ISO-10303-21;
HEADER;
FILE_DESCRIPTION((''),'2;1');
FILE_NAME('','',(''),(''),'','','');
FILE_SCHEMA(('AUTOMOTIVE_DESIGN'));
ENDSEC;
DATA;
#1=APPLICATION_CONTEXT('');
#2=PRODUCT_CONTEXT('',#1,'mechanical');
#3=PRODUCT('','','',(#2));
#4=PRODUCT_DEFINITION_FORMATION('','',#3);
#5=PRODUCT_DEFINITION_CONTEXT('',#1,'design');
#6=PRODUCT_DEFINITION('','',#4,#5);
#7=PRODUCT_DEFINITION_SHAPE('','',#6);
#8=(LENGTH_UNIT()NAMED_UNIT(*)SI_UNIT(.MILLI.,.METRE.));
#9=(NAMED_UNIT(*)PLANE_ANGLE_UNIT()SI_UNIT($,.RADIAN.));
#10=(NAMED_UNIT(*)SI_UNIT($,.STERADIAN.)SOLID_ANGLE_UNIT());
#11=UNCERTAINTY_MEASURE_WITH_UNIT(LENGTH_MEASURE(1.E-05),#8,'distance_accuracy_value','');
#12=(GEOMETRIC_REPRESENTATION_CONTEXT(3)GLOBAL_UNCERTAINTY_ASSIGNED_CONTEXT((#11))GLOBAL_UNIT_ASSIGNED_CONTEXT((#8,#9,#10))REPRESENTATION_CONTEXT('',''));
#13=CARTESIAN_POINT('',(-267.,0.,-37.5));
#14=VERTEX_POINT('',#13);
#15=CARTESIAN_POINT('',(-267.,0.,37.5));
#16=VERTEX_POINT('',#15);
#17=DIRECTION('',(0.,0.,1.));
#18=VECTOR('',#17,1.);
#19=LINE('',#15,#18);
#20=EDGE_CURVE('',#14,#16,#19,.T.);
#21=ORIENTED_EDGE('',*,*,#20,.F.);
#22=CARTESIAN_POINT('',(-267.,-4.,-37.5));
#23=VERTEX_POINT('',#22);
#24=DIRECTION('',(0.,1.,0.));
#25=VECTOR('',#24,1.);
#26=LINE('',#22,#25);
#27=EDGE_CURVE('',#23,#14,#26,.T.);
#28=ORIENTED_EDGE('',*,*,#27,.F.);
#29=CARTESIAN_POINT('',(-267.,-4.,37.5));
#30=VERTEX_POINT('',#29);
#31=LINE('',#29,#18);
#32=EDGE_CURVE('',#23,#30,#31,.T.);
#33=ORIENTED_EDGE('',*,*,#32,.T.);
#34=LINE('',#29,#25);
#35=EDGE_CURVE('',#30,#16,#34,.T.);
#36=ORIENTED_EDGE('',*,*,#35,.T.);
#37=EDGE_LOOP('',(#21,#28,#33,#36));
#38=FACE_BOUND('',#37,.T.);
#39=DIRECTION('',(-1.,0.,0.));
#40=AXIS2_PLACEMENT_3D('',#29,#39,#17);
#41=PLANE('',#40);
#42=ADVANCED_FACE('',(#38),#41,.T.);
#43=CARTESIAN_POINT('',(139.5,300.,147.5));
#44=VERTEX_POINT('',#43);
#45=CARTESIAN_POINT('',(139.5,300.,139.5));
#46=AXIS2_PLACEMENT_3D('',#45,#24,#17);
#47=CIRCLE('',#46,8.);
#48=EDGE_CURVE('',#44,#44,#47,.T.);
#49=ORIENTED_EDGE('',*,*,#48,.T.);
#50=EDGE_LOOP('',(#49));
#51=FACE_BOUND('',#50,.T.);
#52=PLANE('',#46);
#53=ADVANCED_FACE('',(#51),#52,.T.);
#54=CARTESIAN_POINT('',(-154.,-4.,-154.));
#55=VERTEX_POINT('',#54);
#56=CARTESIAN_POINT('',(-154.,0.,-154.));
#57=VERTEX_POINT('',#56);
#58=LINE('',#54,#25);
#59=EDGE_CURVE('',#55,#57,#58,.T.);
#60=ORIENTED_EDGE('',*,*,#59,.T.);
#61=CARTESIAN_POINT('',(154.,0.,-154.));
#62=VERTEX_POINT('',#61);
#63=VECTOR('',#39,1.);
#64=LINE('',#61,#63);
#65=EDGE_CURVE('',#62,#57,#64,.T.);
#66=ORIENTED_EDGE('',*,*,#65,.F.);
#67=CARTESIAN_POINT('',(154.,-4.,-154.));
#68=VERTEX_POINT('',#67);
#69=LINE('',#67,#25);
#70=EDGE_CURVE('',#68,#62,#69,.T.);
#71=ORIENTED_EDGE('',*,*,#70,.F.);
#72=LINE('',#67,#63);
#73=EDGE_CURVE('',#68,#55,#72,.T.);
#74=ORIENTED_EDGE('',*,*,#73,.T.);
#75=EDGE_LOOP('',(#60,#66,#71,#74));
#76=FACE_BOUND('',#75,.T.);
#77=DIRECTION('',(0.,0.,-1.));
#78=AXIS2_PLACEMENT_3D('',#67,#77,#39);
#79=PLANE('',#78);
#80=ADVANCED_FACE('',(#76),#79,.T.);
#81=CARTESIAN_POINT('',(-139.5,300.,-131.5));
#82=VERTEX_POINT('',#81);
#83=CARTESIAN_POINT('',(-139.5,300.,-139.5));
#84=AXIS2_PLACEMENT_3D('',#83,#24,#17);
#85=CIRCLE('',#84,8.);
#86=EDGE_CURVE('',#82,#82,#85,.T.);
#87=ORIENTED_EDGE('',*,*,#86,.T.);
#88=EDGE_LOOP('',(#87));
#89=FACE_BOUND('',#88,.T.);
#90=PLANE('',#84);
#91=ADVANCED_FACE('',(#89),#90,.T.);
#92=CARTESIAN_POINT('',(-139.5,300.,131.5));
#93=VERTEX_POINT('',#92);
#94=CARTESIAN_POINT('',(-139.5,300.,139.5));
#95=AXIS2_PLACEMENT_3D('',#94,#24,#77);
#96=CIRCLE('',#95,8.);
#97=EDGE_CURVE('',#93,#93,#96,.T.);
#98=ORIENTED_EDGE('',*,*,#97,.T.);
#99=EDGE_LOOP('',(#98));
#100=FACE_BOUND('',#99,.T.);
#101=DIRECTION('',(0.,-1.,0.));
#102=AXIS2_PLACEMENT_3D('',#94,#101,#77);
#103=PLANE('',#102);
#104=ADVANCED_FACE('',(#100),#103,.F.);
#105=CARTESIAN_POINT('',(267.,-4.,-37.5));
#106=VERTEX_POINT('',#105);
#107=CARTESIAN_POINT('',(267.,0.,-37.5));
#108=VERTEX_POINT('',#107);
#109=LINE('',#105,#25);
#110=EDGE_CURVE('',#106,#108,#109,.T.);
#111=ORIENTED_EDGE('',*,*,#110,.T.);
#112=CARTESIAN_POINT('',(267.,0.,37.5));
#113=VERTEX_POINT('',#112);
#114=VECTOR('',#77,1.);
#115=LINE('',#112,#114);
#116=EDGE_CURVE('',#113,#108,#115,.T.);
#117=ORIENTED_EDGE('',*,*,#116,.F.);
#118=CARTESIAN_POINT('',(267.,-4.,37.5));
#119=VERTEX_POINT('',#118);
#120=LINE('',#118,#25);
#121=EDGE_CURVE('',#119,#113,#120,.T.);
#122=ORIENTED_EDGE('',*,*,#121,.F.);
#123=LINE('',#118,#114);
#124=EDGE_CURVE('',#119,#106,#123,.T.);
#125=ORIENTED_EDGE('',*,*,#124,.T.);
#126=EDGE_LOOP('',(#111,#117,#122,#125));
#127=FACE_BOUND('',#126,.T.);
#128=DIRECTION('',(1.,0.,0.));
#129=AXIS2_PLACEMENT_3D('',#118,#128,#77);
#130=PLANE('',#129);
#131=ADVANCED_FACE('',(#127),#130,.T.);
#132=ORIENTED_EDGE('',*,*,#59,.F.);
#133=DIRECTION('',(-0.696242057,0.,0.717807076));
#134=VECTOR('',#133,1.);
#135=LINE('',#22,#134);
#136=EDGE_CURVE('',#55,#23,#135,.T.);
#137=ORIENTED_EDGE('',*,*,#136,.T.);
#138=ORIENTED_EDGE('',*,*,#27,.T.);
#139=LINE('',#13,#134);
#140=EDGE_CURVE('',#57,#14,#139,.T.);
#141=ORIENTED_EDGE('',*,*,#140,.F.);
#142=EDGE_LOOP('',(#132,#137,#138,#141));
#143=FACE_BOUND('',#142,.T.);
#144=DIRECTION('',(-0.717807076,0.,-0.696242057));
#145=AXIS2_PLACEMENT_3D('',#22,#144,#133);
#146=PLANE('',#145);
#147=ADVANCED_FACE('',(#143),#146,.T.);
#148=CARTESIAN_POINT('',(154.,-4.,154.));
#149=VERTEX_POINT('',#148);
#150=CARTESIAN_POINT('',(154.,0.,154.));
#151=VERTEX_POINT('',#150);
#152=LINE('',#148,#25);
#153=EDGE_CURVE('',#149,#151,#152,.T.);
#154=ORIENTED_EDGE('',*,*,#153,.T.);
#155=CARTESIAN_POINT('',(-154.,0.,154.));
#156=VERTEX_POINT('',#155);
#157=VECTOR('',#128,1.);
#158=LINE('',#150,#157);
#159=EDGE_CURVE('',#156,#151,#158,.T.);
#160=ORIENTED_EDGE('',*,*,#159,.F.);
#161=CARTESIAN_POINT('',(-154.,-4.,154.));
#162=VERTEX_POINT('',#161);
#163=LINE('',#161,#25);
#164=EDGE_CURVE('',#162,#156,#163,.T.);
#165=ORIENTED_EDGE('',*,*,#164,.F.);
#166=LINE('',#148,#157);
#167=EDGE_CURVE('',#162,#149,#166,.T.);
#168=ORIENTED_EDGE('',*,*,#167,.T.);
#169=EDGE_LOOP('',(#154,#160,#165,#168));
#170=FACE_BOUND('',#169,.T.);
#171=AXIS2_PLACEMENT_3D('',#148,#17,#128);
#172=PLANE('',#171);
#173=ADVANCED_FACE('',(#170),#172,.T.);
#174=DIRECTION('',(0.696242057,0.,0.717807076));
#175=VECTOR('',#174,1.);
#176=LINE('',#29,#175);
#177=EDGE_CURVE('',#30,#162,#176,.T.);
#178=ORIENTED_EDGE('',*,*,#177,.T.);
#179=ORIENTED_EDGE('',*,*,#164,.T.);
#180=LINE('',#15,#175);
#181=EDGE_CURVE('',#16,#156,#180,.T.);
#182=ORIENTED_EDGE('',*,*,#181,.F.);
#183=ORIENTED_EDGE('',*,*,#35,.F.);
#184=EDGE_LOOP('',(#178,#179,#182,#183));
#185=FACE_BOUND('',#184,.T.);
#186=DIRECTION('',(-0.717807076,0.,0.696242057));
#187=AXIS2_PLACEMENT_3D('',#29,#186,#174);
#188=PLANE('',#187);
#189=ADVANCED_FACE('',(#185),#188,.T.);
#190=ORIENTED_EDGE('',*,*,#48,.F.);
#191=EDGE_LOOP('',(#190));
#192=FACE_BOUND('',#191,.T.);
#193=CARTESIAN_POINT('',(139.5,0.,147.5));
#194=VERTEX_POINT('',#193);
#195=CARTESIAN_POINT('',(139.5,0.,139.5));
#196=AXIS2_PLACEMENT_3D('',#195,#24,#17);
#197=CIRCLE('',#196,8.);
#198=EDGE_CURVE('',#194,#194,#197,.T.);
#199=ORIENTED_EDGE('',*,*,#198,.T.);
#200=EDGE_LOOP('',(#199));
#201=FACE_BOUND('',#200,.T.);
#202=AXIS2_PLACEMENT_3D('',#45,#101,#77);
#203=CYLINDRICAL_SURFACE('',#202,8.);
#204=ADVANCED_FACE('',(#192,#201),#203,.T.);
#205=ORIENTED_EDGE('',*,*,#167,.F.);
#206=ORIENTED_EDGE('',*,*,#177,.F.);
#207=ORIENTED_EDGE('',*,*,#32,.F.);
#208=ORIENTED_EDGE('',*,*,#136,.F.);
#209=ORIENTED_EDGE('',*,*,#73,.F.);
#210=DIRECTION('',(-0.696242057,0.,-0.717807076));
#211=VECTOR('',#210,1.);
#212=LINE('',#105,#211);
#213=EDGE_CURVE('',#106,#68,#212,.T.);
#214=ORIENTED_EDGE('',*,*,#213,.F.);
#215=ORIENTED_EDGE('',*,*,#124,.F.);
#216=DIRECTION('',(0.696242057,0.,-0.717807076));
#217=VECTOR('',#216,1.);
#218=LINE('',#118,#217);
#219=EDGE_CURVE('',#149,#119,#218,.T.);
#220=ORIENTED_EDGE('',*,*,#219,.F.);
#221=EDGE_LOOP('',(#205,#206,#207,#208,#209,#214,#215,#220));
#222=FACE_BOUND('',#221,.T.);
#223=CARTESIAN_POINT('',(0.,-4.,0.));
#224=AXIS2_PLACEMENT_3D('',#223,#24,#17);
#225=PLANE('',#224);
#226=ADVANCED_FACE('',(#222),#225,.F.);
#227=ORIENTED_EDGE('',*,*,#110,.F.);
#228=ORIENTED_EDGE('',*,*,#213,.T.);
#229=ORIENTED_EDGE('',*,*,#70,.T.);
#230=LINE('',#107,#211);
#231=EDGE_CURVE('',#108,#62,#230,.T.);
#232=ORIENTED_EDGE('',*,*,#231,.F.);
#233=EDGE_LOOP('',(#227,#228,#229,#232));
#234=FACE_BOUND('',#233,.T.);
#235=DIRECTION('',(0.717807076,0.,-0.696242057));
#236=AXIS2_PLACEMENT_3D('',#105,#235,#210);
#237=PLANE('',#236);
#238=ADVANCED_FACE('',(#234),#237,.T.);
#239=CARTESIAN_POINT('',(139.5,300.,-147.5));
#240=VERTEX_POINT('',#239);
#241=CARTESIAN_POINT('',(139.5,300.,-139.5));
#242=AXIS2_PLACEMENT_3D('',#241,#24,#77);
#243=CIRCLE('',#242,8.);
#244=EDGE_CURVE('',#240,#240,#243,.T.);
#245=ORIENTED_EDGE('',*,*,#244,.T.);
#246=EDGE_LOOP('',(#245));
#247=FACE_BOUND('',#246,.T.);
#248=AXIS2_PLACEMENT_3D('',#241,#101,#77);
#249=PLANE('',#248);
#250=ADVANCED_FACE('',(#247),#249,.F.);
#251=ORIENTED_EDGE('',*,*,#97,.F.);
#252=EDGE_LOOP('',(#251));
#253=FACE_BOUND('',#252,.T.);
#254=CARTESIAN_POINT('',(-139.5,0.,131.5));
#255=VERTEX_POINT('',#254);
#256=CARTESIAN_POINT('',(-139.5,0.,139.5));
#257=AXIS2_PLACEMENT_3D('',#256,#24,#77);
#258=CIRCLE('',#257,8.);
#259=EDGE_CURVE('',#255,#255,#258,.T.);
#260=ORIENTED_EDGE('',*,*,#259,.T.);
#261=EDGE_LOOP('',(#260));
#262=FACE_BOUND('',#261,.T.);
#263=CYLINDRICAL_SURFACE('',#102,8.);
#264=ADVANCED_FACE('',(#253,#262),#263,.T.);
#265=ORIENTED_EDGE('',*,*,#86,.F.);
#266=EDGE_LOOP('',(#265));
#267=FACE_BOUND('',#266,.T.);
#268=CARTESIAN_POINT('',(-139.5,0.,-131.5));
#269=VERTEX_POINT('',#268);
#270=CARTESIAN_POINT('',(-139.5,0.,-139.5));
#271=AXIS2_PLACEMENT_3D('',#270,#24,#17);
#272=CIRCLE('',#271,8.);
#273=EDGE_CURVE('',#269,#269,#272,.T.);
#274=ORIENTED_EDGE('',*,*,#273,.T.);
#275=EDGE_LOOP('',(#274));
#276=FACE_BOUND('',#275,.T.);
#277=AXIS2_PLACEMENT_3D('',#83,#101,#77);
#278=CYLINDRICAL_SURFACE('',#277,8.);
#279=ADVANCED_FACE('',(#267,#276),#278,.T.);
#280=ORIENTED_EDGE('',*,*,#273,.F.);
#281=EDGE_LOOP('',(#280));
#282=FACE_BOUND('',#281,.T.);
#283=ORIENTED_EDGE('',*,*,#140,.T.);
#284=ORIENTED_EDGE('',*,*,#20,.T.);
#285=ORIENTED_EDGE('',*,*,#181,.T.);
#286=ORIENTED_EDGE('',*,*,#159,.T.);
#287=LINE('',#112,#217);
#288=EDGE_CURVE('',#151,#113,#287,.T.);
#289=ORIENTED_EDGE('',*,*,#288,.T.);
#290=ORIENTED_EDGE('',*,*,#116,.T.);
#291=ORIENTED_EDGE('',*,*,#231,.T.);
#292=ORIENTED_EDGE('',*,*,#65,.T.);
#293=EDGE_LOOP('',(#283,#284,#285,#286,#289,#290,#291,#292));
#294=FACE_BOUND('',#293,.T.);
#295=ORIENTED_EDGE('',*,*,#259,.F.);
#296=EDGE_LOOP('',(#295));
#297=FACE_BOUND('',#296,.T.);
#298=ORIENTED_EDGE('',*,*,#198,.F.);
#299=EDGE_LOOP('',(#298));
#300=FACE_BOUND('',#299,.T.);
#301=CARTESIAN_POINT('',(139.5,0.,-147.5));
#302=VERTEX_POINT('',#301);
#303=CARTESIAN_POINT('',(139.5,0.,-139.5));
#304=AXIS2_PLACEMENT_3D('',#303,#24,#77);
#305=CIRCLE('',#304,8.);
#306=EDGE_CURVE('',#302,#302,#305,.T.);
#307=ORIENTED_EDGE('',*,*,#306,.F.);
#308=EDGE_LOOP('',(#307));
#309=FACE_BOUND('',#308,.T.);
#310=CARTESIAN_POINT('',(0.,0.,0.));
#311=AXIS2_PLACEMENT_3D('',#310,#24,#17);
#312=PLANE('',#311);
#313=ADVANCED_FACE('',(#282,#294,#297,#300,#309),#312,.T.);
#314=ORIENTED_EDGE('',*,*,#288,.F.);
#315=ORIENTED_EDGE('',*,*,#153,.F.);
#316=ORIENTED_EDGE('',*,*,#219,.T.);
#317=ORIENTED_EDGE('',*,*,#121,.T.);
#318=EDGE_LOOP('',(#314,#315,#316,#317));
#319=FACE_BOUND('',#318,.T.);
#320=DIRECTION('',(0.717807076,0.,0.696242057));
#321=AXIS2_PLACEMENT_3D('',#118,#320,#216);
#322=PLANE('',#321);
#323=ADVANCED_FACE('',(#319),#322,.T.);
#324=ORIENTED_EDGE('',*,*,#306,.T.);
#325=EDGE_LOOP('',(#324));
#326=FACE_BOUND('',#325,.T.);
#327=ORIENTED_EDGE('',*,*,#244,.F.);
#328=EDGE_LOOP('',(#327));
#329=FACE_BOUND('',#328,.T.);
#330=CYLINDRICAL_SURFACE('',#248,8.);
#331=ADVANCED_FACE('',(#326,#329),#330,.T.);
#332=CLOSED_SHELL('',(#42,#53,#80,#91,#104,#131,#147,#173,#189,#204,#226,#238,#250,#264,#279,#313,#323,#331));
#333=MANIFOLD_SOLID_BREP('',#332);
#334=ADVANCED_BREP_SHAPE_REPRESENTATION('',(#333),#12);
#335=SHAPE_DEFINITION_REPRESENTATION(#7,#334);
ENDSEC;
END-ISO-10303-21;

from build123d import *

# Parameters (mm, degrees)
EXTRUDE_2_DEPTH = 4
SKETCH_2_R      = 8
EXTRUDE_3_DEPTH = 300


with BuildPart() as part:
    # Эскиз1 → Бобышка-Вытянуть2 (new body)
    with BuildSketch(Plane(origin=(0, 0, 0), x_dir=(1, 0, 0), z_dir=(0, 1, 0))):
        Polygon((154, -154), (-154, -154), (-267, -37.5), (-267, 37.5), (-154, 154), (154, 154), (267, 37.5), (267, -37.5), align=None)
    extrude(amount=-EXTRUDE_2_DEPTH)

    # Эскиз2 → Бобышка-Вытянуть3 (add)
    with BuildSketch(Plane(origin=(0, 0, 0), x_dir=(1, 0, 0), z_dir=(0, 1, 0))):
        with Locations(Location((-139.5, 139.5, 0), (0, 0, 270))):
            Circle(SKETCH_2_R)
        with Locations(Location((139.5, 139.5, 0), (0, 0, 90))):
            Circle(SKETCH_2_R)
        with Locations(Location((139.5, -139.5, 0), (0, 0, 270))):
            Circle(SKETCH_2_R)
        with Locations(Location((-139.5, -139.5, 0), (0, 0, 90))):
            Circle(SKETCH_2_R)
    extrude(amount=EXTRUDE_3_DEPTH)


solid = part.part
